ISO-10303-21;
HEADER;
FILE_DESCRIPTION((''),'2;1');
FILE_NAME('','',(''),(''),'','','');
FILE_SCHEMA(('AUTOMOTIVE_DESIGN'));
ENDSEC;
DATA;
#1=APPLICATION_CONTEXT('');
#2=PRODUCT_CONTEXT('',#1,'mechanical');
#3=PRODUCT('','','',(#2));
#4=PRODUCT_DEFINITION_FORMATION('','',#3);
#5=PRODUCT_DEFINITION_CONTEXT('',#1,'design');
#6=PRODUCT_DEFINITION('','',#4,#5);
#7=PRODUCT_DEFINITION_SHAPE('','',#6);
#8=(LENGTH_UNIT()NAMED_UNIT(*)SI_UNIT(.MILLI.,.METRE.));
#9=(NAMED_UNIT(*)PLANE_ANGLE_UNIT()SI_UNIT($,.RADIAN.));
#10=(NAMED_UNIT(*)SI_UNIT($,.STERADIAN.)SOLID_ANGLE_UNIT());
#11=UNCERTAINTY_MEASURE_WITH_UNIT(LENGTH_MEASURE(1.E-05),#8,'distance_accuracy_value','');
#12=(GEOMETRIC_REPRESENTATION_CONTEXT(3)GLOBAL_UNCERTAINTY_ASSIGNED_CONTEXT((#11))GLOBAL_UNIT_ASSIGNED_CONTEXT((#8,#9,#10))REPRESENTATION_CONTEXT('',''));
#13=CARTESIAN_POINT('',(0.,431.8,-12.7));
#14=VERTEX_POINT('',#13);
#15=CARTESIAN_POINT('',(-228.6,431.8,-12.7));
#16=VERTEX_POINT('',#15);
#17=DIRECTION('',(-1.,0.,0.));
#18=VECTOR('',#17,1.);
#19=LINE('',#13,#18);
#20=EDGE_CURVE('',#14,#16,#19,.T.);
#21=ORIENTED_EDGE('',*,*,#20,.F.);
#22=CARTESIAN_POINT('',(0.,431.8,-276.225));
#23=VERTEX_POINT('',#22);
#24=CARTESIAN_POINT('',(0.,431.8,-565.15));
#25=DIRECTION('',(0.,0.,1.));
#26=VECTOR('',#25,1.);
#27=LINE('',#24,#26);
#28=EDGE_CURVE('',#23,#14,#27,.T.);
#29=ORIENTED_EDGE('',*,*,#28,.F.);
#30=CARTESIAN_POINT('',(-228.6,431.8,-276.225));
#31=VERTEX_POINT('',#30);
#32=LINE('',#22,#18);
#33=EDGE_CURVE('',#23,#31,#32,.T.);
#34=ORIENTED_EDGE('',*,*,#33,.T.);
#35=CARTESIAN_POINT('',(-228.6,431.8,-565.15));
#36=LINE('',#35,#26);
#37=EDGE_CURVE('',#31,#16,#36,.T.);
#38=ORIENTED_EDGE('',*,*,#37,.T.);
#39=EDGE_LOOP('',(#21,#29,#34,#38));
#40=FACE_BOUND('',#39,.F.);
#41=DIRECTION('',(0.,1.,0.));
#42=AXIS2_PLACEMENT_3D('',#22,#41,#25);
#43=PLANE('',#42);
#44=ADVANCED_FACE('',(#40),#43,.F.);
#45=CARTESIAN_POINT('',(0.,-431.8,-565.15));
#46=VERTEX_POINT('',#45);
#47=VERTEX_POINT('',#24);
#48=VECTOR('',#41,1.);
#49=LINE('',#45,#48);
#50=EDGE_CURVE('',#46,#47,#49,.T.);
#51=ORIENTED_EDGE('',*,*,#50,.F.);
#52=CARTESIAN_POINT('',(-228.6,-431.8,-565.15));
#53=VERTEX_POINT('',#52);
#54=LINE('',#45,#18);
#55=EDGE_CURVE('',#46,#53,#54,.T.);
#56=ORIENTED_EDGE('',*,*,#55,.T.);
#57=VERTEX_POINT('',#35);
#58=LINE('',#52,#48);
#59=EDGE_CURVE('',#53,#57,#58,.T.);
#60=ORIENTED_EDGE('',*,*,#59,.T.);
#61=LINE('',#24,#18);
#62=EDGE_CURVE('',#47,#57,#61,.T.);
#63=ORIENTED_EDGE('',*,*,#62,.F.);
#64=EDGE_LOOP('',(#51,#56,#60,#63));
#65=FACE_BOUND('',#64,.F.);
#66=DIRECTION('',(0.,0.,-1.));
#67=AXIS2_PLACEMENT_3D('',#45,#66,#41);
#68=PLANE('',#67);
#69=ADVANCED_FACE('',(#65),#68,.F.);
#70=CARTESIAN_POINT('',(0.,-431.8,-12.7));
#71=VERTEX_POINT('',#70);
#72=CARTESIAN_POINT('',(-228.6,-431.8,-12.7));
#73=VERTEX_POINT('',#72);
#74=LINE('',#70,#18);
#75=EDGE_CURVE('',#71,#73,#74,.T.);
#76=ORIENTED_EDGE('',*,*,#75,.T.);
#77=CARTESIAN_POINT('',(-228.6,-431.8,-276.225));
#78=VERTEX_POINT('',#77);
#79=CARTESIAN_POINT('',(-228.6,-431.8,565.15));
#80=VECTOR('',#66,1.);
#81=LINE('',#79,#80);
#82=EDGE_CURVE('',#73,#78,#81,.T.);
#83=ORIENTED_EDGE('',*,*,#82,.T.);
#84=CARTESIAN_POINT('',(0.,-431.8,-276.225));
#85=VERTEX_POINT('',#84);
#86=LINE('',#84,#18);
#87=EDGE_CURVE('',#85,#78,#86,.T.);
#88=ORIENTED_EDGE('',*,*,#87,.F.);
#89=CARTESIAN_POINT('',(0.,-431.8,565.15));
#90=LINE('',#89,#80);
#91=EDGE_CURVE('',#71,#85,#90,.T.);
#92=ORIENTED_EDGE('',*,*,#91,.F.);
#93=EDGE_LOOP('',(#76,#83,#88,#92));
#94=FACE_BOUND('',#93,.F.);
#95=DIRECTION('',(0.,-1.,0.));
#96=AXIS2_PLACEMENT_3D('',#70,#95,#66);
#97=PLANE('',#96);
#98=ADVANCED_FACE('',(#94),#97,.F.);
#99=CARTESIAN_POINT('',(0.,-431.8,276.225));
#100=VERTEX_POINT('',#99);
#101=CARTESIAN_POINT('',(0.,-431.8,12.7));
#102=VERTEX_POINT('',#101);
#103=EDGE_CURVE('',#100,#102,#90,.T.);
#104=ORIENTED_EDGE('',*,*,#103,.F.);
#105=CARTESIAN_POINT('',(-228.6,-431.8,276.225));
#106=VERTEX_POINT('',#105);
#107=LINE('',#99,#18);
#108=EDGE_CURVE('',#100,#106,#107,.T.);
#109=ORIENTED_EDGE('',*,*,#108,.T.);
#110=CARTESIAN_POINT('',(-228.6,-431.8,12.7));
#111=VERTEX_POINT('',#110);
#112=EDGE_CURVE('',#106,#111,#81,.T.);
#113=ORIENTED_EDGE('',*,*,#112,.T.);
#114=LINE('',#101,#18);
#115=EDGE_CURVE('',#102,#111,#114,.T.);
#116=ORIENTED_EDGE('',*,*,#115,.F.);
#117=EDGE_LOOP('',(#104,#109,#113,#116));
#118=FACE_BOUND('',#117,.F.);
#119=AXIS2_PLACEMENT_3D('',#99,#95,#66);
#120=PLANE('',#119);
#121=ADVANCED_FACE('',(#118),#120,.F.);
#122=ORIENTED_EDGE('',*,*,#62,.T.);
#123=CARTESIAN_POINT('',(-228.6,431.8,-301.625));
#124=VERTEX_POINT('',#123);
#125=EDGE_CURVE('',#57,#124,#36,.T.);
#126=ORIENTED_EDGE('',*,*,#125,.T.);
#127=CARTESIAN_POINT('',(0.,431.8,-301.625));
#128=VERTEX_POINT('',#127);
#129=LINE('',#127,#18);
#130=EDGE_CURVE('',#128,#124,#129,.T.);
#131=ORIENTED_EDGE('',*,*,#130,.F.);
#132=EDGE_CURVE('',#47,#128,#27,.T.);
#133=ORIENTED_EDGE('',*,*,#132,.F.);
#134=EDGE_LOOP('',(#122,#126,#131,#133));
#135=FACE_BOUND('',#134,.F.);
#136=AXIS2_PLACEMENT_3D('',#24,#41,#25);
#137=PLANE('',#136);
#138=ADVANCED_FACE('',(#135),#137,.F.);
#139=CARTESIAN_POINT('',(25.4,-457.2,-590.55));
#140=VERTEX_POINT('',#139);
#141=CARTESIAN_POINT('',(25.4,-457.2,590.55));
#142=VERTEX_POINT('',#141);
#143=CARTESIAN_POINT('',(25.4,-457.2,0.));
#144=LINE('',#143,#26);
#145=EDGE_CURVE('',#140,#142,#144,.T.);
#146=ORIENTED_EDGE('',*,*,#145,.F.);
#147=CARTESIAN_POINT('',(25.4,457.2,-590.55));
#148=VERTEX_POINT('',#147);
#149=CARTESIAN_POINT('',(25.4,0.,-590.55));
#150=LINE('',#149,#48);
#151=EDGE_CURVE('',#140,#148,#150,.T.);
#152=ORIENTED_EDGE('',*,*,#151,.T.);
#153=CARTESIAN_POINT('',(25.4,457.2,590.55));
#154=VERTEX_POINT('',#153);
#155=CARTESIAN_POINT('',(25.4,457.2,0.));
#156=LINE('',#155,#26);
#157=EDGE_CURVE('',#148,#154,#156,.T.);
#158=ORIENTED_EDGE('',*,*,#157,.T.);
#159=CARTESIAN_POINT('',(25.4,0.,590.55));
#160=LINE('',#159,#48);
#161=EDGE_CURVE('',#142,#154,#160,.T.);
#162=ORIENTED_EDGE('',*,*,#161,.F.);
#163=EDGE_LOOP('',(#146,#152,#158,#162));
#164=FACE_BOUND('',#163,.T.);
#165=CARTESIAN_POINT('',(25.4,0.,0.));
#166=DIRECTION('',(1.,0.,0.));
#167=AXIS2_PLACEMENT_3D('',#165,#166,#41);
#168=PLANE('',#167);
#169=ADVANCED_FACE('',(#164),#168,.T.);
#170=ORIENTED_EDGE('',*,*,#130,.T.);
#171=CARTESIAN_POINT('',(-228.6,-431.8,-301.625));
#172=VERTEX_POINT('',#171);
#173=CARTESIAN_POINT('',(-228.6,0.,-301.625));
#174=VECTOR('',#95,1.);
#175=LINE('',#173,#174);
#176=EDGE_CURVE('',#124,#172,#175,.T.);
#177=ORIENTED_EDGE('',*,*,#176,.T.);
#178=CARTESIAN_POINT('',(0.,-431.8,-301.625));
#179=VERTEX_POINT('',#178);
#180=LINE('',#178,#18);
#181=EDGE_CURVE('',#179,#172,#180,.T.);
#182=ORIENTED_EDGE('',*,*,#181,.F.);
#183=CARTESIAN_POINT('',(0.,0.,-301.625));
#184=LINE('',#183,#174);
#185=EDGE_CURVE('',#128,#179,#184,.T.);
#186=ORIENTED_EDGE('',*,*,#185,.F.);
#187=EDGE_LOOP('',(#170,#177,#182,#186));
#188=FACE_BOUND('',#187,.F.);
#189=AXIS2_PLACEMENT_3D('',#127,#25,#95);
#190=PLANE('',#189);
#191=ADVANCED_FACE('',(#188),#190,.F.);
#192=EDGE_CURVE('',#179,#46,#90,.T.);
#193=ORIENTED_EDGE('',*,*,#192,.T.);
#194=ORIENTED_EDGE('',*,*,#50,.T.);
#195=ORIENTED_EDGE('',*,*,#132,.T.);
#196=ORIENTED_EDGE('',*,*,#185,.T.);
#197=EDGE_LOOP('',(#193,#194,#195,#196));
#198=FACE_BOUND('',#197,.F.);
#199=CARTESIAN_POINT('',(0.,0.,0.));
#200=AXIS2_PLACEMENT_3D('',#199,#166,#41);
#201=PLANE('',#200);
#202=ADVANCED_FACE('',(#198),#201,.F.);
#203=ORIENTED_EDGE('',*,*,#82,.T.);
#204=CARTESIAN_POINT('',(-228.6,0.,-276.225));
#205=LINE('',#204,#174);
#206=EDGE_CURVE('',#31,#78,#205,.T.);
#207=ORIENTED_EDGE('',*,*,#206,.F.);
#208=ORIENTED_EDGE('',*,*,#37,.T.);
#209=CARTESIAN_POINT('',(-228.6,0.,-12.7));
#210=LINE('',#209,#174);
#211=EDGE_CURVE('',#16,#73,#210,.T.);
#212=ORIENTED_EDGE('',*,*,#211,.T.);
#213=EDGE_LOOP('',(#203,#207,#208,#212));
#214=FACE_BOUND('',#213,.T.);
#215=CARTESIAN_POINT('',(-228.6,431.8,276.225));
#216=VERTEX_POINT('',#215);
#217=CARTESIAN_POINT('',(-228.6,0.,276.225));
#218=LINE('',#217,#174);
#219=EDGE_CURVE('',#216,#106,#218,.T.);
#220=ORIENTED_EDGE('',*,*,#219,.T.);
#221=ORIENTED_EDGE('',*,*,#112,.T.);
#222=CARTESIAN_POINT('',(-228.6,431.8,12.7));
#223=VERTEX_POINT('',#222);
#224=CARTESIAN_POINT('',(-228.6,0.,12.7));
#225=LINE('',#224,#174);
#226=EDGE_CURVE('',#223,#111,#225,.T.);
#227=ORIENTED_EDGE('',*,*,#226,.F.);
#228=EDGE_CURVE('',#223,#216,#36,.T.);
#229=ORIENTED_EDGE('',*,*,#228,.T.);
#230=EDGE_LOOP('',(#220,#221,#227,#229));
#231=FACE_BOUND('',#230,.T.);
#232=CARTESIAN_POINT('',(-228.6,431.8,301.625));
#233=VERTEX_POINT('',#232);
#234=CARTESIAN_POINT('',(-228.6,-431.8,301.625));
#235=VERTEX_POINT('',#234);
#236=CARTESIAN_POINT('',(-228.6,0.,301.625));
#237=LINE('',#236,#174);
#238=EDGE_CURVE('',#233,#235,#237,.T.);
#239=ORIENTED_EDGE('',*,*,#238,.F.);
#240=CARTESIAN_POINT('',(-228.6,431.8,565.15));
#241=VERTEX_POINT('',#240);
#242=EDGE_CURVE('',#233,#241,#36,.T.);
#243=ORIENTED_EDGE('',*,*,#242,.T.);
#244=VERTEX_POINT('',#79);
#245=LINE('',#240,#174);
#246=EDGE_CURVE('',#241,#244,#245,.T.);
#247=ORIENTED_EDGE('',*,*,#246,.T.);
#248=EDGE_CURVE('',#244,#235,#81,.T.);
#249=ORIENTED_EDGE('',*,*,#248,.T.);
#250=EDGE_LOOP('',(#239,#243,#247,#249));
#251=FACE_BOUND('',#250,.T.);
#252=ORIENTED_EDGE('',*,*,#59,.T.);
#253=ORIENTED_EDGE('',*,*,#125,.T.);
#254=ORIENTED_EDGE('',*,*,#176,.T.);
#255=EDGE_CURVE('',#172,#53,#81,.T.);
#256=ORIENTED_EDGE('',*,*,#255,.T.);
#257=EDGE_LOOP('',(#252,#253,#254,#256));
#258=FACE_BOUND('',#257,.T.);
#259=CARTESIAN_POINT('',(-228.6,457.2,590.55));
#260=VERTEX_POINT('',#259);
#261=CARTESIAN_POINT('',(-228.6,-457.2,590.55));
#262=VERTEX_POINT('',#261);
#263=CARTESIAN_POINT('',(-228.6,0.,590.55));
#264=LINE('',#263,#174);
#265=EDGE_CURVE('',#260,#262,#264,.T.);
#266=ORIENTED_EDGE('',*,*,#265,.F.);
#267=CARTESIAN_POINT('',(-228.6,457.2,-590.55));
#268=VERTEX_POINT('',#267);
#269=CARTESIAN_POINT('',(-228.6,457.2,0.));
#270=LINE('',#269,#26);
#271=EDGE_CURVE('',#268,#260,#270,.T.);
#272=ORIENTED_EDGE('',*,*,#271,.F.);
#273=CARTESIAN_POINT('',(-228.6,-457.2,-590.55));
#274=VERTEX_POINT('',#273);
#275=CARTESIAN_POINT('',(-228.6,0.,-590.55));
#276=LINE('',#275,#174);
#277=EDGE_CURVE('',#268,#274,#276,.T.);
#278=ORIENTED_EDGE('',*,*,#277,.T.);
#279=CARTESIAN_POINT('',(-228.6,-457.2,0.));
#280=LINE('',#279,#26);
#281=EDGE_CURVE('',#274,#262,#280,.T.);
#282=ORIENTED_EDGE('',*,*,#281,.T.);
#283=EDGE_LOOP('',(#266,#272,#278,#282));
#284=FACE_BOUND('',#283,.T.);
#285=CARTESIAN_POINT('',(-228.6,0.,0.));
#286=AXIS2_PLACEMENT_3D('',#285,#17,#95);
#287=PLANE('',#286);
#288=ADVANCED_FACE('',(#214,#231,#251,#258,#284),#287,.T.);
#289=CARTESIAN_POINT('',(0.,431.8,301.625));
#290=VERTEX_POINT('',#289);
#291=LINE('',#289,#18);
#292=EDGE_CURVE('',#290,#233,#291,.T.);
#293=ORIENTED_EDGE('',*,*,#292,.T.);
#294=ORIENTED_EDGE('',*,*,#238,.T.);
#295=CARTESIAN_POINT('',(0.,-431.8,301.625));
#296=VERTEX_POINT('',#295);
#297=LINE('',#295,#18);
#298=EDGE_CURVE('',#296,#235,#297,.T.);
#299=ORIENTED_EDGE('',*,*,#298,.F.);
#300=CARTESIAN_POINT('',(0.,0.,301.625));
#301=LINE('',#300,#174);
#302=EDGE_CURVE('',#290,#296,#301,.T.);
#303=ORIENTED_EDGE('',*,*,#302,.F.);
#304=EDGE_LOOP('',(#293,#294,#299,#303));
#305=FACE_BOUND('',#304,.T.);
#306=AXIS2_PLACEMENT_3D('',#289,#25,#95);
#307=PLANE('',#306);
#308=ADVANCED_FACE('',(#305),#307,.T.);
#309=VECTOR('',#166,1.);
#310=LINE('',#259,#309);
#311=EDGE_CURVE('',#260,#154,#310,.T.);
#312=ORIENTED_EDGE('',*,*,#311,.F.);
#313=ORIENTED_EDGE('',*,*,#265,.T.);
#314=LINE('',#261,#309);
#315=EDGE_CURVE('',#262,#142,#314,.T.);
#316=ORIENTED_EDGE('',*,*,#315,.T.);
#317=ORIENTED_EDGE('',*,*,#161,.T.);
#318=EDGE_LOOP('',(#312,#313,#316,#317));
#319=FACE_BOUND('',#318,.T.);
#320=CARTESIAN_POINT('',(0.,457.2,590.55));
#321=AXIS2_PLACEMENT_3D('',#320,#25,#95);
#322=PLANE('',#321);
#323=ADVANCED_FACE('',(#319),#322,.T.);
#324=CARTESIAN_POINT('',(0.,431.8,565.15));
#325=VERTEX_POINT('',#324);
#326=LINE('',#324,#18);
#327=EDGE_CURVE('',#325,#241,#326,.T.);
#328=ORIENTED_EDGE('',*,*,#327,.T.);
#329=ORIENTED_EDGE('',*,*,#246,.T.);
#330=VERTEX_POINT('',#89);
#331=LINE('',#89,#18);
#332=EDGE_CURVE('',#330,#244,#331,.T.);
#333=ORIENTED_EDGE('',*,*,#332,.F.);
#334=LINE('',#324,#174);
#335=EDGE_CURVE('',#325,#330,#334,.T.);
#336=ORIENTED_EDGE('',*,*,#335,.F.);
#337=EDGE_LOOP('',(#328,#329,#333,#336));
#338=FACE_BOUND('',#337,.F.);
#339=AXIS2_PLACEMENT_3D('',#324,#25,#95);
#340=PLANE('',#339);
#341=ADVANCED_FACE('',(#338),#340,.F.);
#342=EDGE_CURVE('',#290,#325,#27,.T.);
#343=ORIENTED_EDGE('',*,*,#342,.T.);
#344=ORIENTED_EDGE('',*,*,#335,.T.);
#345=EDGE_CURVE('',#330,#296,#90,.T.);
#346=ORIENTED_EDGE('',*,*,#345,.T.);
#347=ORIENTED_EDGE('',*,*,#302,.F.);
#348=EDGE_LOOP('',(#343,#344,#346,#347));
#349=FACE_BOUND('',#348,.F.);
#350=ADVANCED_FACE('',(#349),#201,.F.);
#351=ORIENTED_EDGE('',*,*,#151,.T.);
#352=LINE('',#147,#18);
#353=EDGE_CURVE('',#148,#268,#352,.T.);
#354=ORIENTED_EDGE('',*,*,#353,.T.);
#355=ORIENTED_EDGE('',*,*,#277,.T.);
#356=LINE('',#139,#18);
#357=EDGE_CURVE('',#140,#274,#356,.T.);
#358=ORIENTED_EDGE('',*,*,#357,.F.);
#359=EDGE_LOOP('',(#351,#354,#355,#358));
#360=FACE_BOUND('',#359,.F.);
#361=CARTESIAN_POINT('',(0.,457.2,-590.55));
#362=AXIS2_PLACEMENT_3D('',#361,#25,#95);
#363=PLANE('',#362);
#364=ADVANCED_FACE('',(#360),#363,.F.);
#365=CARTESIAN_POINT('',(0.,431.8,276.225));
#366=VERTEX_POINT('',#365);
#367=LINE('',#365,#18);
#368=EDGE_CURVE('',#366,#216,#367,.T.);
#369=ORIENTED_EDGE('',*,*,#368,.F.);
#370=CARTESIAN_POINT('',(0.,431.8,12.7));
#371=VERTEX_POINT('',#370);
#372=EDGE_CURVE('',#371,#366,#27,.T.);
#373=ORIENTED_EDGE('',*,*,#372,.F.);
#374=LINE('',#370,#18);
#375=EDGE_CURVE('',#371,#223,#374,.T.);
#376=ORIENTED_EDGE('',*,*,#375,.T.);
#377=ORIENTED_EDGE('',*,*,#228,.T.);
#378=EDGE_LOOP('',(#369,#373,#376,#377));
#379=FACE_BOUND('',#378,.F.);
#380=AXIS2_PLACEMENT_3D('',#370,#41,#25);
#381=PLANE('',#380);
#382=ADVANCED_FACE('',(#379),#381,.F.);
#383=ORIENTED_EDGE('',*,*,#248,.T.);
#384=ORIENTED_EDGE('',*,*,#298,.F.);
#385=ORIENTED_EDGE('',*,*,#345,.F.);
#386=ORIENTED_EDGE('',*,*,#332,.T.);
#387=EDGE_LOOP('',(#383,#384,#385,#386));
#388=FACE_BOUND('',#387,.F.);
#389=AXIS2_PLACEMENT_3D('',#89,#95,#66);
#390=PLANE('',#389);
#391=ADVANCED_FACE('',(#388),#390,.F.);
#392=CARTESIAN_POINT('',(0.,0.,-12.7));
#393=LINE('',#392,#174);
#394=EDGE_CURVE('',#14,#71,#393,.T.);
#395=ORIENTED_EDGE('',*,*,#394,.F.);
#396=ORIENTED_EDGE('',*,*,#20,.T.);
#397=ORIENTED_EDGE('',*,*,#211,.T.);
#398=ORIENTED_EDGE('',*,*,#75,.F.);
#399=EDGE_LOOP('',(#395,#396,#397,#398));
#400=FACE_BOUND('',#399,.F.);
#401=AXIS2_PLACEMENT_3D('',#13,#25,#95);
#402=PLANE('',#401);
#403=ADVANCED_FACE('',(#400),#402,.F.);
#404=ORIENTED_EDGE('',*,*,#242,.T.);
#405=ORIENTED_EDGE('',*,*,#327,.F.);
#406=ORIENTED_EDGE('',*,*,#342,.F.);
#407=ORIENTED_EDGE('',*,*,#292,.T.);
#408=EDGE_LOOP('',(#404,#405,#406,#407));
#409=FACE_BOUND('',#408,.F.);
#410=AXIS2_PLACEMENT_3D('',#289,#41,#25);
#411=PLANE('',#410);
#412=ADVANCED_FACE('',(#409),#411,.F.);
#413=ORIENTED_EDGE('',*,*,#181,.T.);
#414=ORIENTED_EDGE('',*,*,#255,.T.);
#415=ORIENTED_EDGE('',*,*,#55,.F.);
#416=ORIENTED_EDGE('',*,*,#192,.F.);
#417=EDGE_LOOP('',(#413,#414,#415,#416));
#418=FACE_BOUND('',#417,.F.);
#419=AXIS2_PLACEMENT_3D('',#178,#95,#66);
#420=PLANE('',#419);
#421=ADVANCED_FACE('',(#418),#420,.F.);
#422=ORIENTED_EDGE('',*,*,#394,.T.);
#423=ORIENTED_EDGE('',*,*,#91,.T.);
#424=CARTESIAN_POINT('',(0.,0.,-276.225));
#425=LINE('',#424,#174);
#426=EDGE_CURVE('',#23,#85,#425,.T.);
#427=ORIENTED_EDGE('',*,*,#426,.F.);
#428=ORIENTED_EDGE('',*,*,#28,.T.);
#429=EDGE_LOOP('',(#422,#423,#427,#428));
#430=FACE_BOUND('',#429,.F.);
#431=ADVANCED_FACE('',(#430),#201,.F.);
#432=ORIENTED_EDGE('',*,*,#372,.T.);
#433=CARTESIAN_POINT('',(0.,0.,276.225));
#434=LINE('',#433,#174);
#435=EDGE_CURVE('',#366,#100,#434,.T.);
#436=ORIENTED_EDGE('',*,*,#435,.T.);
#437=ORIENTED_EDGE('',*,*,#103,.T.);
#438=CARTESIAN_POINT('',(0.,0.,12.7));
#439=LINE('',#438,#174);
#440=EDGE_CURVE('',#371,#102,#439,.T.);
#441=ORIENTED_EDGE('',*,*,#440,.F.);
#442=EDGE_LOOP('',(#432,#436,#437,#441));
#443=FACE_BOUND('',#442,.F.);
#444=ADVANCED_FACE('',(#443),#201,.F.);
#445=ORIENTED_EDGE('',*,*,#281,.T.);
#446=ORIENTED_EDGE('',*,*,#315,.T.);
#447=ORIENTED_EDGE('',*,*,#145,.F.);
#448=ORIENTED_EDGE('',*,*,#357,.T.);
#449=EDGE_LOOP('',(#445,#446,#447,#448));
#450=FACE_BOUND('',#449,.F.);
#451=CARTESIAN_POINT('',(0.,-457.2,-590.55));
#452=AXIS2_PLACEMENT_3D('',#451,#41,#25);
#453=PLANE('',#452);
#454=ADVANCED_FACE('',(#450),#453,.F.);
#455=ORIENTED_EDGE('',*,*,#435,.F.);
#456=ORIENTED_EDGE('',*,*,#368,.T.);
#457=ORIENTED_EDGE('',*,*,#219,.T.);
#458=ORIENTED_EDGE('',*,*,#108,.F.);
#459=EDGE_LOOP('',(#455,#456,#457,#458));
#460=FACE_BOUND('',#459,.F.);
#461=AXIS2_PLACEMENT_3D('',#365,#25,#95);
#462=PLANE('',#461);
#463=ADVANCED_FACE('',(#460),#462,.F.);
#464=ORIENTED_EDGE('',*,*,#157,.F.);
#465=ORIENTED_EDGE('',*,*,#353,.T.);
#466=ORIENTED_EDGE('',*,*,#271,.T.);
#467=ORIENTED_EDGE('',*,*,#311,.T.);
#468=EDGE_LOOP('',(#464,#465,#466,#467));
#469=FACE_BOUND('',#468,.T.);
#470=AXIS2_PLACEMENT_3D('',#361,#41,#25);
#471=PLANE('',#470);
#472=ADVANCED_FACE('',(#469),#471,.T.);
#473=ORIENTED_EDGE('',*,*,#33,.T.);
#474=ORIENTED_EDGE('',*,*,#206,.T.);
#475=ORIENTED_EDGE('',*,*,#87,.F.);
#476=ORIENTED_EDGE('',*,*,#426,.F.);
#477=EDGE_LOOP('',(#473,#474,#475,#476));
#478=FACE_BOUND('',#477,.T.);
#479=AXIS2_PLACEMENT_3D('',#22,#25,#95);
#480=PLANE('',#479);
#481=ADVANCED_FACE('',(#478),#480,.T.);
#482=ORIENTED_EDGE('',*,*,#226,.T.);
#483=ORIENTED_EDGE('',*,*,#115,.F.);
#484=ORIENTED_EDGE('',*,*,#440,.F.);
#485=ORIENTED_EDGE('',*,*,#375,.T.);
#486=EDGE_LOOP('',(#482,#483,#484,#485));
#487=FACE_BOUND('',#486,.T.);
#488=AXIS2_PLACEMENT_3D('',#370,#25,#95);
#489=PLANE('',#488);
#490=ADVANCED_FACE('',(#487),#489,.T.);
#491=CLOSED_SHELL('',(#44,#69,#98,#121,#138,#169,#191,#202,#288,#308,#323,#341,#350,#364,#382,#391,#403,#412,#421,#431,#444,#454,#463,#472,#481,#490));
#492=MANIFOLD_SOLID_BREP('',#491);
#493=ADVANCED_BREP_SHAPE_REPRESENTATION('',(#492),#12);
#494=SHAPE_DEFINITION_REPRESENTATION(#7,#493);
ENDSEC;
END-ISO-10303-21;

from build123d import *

# Parameters (mm, degrees)
F0_W     = 914.4
F0_H     = 1181.1
F1_DEPTH = 25.4
F2_W     = 914.4
F2_H     = 1181.1
F2_W_2   = 863.6
F2_H_2   = 25.4
F3_DEPTH = 228.6


with BuildPart() as f1:
    # F0 (on Right) → F1 (new body)
    with BuildSketch(Plane.YZ):
        Rectangle(F0_W, F0_H)
    extrude(amount=F1_DEPTH)

    # F2 (on face) → F3 (join)
    with BuildSketch(Plane(origin=(0, 0, 0), x_dir=(0, -1, 0), z_dir=(-1, 0, 0))):
        Rectangle(F2_W, F2_H)
        Polygon((-431.8, 565.15), (431.8, 565.15), (431.8, 301.625), (431.8, 276.225), (431.8, 12.7), (431.8, -12.7), (431.8, -276.225), (431.8, -301.625), (431.8, -565.15), (-431.8, -565.15), (-431.8, -301.625), (-431.8, -276.225), (-431.8, -12.7), (-431.8, 12.7), (-431.8, 276.225), (-431.8, 301.625), align=None, mode=Mode.SUBTRACT)
        with Locations((0, 288.925)):
            Rectangle(F2_W_2, F2_H_2)
        Rectangle(F2_W_2, F2_H_2)
        with Locations((0, -288.925)):
            Rectangle(F2_W_2, F2_H_2)
    extrude(amount=F3_DEPTH)


solid = f1.part
